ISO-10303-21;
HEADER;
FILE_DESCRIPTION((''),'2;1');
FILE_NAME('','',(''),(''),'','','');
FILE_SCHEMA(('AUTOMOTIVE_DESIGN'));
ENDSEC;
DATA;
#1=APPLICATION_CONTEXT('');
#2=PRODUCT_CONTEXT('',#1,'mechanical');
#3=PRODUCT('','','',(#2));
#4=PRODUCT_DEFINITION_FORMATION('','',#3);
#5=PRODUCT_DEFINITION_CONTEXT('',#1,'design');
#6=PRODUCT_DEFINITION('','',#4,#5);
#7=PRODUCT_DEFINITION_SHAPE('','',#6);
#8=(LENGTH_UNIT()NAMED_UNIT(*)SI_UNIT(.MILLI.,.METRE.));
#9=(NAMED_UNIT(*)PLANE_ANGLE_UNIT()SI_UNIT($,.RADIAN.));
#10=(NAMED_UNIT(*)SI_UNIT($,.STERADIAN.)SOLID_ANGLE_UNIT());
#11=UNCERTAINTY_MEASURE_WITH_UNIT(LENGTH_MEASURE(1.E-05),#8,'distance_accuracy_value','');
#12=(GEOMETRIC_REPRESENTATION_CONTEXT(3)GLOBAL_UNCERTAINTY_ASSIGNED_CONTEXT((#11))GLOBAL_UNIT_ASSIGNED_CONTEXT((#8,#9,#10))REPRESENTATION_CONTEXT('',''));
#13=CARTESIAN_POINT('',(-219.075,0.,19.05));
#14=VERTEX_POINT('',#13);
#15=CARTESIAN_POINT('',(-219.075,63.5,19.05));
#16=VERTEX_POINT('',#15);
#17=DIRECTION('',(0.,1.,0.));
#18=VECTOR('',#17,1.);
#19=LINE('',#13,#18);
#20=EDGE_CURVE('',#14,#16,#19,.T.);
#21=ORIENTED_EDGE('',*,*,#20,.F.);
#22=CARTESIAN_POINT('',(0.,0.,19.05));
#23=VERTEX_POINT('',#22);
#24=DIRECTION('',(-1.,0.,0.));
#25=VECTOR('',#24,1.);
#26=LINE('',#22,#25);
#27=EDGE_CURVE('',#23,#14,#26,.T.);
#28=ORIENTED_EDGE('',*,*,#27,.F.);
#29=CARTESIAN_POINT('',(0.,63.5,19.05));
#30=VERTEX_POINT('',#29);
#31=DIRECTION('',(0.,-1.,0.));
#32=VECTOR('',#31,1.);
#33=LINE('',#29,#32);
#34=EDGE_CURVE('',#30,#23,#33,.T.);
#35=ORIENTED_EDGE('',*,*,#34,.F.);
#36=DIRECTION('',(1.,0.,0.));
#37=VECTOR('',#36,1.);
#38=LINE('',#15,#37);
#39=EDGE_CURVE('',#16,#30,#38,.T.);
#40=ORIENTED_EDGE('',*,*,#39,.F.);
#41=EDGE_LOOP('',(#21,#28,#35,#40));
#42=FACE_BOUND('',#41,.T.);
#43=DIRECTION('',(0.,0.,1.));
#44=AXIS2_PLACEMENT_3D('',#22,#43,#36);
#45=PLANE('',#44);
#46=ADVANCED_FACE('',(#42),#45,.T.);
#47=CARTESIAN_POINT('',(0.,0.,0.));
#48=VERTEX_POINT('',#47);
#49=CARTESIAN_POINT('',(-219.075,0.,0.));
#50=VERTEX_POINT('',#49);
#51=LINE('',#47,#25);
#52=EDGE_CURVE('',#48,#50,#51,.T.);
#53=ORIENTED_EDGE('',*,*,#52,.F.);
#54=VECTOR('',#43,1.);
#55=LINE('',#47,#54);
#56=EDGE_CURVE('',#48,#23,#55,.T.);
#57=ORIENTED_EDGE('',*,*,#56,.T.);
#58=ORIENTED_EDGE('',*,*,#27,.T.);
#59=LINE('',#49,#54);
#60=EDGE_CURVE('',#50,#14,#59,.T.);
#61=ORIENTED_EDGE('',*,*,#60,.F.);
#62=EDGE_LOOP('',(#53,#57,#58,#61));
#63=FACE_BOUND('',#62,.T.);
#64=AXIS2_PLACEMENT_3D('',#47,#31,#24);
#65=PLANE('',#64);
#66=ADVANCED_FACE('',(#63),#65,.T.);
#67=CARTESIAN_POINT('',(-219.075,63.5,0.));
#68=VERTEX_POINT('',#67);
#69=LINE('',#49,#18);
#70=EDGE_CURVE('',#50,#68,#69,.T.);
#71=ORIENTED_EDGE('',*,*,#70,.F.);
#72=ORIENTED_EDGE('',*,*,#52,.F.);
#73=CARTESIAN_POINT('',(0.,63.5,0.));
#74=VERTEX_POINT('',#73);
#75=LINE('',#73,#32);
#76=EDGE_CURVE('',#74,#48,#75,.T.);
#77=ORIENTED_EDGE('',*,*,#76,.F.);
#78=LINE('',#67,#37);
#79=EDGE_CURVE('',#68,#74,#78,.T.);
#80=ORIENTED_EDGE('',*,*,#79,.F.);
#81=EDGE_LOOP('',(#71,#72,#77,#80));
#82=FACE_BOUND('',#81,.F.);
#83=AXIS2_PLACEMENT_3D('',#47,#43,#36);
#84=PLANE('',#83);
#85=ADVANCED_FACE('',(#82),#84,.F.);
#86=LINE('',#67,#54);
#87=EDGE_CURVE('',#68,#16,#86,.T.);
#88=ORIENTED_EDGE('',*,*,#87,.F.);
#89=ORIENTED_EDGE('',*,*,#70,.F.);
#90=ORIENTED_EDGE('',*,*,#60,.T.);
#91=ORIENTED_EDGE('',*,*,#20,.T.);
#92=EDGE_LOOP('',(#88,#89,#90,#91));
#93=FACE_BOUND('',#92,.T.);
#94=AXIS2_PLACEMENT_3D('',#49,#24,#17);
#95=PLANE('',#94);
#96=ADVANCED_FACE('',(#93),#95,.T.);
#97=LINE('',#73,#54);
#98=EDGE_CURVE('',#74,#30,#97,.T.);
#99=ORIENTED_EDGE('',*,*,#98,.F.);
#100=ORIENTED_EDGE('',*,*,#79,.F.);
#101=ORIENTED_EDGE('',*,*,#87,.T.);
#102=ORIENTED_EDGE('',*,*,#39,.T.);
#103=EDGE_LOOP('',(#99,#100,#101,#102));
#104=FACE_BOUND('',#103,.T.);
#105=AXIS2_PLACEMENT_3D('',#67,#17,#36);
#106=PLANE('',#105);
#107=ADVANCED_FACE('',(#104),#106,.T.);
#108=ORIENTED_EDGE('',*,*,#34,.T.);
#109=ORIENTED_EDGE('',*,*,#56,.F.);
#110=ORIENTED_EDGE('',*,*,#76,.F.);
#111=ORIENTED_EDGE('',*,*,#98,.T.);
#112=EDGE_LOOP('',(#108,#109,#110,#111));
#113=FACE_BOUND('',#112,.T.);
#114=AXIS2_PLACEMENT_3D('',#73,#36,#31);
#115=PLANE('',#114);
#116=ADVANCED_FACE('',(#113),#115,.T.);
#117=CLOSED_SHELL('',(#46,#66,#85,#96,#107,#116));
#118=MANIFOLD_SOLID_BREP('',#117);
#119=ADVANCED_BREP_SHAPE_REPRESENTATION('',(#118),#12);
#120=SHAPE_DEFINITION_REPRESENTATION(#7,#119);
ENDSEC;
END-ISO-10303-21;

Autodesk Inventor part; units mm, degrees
ref_plane "YZ Plane" through (0, 0, 0) normal (1, 0, 0) x (0, 1, 0)
ref_plane "XZ Plane" through (0, 0, 0) normal (0, 1, 0) x (-1, 0, 0)
ref_plane "XY Plane" through (0, 0, 0) normal (0, 0, 1) x (1, 0, 0)
sketch "Sketch1" plane through (0, 0, 0) normal (0, 0, 1) x (1, 0, 0)
  line L0 (-219.075, 63.5) -> (0, 63.5)
  line L1 (0, 63.5) -> (0, 0)
  line L2 (0, 0) -> (-219.075, 0)
  line L3 (-219.075, 0) -> (-219.075, 63.5)
  dimension "d0" = 219.075
  dimension "d1" = 63.5
extrude "Extrusion1" add sketch "Sketch1" along normal blind 19.05
properties part number "8.625 in side"
